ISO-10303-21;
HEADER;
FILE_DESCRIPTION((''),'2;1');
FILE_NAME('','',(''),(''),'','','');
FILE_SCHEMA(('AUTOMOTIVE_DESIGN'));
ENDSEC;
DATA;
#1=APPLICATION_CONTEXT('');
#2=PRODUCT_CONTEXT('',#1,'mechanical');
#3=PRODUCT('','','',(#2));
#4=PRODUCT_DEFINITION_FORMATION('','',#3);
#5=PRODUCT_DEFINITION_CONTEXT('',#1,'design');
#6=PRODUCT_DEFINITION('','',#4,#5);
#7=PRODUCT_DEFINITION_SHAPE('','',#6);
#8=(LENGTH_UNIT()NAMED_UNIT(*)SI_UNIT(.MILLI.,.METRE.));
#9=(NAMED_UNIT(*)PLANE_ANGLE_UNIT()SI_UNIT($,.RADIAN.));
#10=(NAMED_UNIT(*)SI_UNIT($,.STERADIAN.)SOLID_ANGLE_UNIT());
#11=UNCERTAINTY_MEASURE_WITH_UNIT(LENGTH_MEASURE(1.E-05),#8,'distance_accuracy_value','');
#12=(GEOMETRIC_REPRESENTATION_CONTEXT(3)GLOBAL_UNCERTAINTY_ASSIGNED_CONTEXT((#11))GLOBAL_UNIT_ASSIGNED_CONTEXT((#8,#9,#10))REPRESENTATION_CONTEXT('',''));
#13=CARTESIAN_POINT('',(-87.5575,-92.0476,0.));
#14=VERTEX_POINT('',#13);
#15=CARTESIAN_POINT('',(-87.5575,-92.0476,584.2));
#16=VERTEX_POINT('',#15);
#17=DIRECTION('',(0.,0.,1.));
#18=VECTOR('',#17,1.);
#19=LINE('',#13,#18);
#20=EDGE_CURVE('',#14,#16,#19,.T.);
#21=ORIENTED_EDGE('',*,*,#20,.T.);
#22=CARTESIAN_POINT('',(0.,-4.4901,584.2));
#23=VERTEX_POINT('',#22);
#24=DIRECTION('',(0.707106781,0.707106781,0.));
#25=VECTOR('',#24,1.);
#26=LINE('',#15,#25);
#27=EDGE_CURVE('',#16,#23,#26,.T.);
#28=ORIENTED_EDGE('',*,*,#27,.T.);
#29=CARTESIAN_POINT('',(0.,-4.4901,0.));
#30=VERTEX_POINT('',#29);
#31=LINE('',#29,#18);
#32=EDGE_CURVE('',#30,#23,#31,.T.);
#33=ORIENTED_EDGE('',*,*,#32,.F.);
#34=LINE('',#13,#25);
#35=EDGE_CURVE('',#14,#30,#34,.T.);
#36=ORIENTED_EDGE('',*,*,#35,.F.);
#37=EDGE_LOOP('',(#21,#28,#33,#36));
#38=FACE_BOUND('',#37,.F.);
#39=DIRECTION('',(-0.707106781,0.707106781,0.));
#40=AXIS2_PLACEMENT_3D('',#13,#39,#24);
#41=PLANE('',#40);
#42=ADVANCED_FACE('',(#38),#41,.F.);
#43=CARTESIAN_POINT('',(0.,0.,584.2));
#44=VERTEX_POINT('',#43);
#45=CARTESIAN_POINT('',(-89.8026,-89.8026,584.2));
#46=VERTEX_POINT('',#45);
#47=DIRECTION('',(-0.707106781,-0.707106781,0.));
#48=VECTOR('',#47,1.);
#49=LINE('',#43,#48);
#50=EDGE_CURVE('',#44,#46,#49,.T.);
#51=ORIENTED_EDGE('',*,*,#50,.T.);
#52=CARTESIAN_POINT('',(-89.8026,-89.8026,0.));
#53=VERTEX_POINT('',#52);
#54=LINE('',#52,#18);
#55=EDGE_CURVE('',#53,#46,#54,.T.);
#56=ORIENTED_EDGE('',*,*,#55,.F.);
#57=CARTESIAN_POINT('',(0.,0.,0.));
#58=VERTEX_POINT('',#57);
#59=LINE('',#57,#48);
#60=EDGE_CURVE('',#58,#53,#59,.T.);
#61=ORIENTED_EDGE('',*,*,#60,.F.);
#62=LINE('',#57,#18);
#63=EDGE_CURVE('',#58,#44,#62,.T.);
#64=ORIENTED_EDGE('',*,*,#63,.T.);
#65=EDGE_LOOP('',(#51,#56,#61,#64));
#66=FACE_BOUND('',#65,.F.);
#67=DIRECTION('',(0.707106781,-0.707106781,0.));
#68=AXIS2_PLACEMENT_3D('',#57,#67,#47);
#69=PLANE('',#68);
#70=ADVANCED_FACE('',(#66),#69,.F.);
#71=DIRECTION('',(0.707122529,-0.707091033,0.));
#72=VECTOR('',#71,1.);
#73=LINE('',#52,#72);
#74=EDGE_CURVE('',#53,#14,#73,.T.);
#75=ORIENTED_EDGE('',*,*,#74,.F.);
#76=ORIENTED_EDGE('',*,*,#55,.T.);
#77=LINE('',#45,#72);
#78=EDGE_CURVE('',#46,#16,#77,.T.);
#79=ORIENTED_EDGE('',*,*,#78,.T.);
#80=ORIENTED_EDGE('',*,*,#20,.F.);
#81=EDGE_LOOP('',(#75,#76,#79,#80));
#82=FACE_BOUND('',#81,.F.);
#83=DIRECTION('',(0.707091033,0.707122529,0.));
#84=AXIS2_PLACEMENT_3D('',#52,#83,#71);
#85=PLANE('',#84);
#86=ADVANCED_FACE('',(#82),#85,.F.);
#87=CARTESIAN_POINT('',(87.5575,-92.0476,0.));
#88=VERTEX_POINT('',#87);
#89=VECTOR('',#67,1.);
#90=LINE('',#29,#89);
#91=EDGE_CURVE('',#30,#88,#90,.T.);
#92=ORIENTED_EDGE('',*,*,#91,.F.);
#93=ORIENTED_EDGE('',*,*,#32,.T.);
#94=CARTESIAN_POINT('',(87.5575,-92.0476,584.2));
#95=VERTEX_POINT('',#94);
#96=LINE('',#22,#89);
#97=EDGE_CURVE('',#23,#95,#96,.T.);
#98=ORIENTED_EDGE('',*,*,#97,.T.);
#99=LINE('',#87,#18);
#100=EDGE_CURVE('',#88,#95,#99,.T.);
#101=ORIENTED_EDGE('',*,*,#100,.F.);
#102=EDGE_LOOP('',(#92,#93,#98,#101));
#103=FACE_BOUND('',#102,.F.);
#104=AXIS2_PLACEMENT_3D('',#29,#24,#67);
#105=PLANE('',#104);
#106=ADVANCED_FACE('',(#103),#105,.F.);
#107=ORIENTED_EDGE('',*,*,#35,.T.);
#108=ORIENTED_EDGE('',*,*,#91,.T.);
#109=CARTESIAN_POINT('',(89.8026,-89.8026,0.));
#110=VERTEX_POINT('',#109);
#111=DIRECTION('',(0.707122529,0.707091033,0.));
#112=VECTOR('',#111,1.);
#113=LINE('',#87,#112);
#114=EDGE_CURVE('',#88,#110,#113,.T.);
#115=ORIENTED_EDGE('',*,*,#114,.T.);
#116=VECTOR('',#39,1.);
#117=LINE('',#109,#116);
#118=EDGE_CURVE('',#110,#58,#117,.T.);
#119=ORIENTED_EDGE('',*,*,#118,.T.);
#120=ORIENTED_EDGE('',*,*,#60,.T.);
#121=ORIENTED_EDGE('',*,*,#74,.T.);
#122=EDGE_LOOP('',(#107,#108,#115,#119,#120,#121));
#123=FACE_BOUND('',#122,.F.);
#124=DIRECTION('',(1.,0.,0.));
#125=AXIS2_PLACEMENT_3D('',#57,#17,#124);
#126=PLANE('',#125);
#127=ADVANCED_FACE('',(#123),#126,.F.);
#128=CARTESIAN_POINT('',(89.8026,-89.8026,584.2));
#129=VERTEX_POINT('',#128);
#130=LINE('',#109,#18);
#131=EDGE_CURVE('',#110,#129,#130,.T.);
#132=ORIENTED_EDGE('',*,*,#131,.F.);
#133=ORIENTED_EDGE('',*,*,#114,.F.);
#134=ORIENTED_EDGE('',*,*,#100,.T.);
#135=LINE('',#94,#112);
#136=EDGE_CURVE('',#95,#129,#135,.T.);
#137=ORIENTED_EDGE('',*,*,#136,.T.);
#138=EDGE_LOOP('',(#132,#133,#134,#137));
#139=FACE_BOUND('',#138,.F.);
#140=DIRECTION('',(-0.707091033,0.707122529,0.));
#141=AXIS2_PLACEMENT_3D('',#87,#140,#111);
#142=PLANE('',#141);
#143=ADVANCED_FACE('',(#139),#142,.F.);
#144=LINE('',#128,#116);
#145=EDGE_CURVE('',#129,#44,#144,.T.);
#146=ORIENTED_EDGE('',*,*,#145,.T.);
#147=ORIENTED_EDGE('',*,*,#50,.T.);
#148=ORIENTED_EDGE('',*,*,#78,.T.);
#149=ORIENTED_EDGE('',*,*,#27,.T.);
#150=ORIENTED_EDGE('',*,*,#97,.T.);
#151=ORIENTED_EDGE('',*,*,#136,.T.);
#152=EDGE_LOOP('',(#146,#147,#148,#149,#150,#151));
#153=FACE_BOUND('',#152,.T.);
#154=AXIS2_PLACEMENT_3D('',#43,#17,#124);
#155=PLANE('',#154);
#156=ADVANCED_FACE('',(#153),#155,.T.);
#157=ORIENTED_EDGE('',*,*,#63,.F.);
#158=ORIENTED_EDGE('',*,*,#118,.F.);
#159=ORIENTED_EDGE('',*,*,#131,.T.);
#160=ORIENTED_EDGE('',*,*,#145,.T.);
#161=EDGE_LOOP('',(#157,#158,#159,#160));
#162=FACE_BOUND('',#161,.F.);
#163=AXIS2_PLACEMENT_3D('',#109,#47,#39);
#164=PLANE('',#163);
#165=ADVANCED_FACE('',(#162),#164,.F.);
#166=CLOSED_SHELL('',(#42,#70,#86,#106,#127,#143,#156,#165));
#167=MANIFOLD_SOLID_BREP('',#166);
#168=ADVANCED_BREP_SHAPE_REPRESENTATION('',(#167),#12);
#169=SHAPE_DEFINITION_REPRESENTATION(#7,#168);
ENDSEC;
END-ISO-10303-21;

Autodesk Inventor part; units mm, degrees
ref_plane "YZ Plane" through (0, 0, 0) normal (1, 0, 0) x (0, 1, 0)
ref_plane "XZ Plane" through (0, 0, 0) normal (0, 1, 0) x (-1, 0, 0)
ref_plane "XY Plane" through (0, 0, 0) normal (0, 0, 1) x (1, 0, 0)
sketch "Sketch1" plane through (0, 0, 0) normal (0, 0, 1) x (1, 0, 0)
  line L0 (0, 0) -> (-89.8026, -89.8026)
  line L1 (-89.8026, -89.8026) -> (-87.5575, -92.0476)
  line L2 (-87.5575, -92.0476) -> (0, -4.4901)
  line L3 (0, -4.4901) -> (87.5575, -92.0476)
  line L4 (87.5575, -92.0476) -> (89.8026, -89.8026)
  line L5 (89.8026, -89.8026) -> (0, 0)
  dimension "d0" = 3.175
  dimension "d1" = 127
extrude "Extrusion1" add sketch "Sketch1" along normal blind 584.2
properties part number "CornerSlider" material "Aluminum-6061"
